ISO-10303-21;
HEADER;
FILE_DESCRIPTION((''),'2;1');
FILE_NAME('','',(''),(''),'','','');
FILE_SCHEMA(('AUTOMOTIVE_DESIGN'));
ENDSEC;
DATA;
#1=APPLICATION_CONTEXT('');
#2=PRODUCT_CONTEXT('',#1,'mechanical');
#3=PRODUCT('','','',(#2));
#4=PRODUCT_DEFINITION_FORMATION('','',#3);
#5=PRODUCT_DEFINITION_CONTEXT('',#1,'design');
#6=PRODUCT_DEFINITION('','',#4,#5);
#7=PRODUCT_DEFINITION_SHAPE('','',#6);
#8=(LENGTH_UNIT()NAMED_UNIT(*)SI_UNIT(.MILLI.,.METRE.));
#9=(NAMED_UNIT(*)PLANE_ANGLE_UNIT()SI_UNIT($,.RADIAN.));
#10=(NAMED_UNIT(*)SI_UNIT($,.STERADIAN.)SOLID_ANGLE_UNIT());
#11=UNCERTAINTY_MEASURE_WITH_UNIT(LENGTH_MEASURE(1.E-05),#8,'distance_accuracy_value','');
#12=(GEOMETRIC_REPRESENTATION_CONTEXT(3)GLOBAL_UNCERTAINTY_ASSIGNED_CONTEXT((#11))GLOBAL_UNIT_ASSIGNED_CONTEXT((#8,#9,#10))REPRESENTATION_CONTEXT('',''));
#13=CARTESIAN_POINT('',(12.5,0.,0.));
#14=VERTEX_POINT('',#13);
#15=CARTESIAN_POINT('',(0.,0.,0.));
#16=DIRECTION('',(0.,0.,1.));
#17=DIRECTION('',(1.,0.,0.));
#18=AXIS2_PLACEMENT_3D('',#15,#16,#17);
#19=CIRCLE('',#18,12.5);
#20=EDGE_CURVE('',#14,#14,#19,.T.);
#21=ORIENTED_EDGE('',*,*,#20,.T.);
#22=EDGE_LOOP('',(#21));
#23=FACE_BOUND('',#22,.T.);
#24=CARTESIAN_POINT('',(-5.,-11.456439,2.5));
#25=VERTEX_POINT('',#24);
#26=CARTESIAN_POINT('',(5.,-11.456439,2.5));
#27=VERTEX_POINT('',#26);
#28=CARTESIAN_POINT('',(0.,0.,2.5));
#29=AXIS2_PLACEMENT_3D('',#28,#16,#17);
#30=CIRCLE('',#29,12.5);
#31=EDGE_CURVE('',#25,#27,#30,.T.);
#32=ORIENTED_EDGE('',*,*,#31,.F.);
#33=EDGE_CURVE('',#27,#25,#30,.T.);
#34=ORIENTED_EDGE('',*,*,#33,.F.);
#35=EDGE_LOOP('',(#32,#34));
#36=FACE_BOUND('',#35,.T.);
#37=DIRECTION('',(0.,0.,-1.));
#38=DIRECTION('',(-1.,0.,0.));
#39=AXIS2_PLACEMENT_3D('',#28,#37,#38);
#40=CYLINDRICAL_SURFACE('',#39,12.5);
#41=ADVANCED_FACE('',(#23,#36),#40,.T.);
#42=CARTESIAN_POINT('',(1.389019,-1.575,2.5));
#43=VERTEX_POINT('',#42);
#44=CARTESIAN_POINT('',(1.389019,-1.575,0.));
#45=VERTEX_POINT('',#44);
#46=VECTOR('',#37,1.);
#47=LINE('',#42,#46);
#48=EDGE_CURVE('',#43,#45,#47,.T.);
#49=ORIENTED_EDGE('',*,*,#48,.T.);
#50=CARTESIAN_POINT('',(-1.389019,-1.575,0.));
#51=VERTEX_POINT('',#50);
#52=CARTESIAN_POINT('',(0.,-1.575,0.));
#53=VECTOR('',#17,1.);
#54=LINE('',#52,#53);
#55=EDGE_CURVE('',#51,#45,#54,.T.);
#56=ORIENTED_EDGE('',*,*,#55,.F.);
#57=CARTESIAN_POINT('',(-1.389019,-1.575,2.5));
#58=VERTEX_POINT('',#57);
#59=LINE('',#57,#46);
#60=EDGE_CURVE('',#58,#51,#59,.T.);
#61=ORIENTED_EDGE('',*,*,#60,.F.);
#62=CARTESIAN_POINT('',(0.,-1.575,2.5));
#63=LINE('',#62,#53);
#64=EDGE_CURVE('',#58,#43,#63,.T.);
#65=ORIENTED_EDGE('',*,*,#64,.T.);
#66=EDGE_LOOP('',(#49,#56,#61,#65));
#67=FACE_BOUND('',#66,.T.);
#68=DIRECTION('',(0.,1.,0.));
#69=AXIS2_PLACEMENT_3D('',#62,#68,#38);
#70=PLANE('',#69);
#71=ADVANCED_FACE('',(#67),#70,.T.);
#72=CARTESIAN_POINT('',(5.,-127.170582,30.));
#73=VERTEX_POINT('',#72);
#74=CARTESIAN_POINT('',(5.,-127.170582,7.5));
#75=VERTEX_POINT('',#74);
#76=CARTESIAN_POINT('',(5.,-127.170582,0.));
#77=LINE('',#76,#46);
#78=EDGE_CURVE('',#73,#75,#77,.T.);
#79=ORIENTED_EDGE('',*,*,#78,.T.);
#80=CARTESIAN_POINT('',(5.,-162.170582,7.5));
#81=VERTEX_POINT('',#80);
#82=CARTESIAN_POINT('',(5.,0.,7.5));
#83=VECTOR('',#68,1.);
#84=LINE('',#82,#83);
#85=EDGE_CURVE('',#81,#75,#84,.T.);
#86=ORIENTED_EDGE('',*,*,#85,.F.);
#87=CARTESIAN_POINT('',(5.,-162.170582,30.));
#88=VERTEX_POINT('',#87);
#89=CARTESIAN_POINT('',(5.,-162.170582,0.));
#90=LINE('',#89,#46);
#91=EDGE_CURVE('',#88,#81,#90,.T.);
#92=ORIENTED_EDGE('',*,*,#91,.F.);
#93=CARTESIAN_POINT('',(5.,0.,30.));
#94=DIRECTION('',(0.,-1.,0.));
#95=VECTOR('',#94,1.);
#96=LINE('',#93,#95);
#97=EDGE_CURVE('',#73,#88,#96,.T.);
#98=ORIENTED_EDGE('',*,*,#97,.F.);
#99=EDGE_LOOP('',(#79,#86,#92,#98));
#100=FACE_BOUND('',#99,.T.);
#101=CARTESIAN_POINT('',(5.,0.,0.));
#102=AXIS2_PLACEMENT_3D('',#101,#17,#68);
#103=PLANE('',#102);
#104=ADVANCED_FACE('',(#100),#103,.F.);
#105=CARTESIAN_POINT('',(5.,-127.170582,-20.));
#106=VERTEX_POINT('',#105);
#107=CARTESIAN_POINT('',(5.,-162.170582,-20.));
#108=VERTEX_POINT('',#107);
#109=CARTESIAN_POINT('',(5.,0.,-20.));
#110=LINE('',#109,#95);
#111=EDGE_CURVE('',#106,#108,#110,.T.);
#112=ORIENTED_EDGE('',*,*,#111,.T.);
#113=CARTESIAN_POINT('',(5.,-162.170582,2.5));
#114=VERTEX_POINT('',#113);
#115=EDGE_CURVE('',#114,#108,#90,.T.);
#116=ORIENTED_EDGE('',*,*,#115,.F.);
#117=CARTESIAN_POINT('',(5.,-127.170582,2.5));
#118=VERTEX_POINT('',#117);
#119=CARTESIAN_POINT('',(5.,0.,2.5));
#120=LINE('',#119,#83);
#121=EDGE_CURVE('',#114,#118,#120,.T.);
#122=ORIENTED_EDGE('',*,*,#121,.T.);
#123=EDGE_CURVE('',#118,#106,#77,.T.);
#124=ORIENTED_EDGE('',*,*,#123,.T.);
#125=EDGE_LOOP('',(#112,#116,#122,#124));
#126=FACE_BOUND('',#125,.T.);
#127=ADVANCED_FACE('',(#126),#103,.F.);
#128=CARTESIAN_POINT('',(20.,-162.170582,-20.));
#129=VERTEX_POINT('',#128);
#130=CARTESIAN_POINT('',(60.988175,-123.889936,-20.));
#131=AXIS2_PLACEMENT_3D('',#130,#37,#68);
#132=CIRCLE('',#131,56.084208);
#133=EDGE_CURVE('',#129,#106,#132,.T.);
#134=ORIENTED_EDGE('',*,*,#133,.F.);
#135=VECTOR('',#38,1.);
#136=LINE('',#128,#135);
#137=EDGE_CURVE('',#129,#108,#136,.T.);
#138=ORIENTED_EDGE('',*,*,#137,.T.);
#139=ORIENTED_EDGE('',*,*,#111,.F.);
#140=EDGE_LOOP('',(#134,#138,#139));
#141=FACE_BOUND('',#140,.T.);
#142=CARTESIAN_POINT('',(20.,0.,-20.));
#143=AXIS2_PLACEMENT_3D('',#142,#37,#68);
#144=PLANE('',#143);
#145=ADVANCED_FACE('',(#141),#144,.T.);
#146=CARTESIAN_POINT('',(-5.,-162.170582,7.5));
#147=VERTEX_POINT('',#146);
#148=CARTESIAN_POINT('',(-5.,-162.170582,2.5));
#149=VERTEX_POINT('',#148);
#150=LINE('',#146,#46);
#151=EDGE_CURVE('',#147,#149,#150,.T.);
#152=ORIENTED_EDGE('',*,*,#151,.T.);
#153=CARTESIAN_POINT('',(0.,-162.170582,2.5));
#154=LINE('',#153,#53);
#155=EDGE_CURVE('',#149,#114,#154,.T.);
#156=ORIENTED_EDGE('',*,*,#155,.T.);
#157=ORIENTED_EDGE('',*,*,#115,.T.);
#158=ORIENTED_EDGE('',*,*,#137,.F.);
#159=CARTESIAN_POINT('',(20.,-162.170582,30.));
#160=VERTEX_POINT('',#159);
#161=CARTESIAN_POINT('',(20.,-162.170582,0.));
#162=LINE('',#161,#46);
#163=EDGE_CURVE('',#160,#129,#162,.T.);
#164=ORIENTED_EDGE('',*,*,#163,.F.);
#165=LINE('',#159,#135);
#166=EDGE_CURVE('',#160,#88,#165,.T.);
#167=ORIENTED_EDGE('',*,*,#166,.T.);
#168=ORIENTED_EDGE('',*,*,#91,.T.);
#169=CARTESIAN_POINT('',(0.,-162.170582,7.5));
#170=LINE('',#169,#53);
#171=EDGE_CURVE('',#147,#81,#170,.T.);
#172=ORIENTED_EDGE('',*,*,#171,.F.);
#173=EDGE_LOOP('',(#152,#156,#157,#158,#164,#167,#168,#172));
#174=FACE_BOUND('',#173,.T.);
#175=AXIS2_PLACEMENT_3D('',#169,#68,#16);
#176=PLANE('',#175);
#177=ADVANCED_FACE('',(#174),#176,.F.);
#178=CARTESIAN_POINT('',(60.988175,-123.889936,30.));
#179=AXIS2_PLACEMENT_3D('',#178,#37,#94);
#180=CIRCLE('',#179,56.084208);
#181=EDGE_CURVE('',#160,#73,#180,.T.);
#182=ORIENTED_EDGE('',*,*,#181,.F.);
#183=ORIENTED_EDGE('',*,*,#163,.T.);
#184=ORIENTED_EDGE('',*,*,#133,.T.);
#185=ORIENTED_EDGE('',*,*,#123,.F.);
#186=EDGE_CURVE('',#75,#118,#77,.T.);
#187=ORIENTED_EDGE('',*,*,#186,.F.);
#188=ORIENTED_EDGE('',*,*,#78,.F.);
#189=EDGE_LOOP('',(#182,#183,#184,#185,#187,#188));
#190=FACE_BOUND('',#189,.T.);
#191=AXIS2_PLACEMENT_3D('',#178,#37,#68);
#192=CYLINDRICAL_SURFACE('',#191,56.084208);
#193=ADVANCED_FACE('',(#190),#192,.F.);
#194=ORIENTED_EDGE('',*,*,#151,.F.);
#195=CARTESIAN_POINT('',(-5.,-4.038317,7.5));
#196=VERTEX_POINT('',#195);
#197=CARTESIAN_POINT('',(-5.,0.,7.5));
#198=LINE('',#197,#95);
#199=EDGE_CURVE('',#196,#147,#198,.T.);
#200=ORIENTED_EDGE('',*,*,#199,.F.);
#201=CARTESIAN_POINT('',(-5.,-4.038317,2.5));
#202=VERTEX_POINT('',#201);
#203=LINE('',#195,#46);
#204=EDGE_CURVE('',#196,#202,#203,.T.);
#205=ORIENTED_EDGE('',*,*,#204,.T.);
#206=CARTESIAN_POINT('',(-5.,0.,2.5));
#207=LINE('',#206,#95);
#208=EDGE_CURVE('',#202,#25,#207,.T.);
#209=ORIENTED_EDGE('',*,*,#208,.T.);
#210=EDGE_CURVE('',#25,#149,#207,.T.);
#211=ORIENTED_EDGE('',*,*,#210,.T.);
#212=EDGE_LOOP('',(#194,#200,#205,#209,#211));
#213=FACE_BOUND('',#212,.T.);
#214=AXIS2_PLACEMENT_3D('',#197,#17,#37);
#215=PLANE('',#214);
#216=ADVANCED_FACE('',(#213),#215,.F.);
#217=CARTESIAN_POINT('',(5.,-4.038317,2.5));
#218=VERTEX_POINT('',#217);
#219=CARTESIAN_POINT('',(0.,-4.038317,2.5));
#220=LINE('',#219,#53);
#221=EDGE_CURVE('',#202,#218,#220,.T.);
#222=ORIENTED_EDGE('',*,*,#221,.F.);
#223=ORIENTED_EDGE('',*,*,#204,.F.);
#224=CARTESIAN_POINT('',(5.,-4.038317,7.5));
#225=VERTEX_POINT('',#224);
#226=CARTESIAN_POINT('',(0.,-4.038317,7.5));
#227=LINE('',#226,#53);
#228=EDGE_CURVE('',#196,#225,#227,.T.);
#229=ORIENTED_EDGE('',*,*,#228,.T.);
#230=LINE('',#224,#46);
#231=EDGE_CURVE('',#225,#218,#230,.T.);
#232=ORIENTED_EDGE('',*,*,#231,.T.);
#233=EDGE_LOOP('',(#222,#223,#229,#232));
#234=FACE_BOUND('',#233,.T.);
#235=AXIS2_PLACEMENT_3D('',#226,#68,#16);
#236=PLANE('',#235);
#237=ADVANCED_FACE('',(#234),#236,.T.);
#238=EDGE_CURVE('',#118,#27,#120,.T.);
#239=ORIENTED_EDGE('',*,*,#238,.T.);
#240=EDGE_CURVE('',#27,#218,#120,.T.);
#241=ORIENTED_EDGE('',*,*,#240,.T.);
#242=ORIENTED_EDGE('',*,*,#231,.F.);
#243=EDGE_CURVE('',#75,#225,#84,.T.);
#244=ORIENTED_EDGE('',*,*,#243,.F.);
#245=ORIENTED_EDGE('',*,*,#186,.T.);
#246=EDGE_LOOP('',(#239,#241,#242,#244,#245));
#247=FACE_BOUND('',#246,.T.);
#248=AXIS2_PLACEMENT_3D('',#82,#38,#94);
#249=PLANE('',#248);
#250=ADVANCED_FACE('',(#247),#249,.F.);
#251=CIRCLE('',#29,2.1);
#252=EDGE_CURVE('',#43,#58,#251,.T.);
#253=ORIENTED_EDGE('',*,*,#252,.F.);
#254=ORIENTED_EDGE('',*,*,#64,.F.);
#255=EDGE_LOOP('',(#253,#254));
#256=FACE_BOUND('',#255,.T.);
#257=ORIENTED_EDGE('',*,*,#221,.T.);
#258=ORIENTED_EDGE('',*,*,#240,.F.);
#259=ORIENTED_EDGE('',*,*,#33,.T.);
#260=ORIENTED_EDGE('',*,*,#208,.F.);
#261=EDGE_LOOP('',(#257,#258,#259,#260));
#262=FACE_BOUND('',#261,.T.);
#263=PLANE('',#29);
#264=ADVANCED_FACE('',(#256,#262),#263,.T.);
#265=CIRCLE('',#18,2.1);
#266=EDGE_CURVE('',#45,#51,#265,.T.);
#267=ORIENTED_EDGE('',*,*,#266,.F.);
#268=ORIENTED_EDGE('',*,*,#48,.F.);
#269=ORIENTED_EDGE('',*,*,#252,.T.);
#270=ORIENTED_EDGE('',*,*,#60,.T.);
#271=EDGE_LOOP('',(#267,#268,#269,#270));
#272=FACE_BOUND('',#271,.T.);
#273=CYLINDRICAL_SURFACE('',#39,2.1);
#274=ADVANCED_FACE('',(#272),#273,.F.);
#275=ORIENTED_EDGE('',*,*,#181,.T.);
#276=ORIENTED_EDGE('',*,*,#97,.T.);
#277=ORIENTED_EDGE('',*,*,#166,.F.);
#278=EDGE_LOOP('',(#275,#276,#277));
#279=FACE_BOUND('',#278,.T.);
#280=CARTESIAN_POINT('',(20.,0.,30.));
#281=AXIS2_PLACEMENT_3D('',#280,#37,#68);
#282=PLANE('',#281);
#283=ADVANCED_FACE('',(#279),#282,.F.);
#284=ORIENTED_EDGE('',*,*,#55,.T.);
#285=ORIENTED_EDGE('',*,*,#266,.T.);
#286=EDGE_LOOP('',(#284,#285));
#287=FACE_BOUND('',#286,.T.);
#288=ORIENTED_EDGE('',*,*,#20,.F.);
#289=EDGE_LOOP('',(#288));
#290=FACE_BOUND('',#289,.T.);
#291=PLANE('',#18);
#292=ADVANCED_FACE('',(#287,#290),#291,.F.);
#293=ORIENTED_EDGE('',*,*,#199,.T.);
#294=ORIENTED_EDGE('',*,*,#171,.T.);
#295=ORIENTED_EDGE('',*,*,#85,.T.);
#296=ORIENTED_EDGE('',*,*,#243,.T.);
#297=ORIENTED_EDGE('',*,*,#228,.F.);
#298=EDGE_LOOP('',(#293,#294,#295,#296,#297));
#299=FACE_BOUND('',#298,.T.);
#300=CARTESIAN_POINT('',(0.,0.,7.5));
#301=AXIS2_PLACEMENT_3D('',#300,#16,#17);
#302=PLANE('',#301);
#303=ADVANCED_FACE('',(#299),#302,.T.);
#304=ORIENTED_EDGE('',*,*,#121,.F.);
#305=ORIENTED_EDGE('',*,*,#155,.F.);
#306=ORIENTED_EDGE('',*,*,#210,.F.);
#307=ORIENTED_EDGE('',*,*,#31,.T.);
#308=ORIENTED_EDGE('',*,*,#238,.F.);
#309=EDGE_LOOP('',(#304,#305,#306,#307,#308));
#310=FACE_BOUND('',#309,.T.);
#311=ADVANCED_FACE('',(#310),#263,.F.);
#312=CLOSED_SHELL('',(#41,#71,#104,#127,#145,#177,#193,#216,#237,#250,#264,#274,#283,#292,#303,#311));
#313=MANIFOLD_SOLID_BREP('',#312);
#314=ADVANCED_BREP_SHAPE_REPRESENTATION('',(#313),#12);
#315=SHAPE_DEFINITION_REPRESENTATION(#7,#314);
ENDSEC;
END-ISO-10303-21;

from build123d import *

# Parameters (mm, degrees)
SKETCH2_R               = 12.5
BOSS_EXTRUDE1_DEPTH     = 2.5
BOSS_EXTRUDE2_DEPTH     = 5
SKETCH5_W               = 50
SKETCH5_H               = 35
BOSS_EXTRUDE3_DEPTH     = 15
CUT_EXTRUDE1_DEPTH      = 171.878020085
CUT_EXTRUDE1_DEPTH_BACK = 171.878020085


with BuildPart() as part:
    # Sketch2 → Boss-Extrude1 (new body)
    with BuildSketch(Plane.XY):
        Circle(SKETCH2_R)
        with BuildLine():
            ThreePointArc((1.389019438, -1.575), (0, 2.1), (-1.389019438, -1.575))
            Line((-1.389019438, -1.575), (0, -1.575))
            Line((0, -1.575), (1.389019438, -1.575))
        make_face(mode=Mode.SUBTRACT)
    extrude(amount=BOSS_EXTRUDE1_DEPTH)

    # Sketch4 → Boss-Extrude2 (add)
    with BuildSketch(Plane.XY.offset(2.5)):
        Polygon((-5, -162.170582253), (5, -162.170582253), (5, -4.038316712), (0, -4.038316712), (-5, -4.038316712), align=None)
    extrude(amount=BOSS_EXTRUDE2_DEPTH)

    # Sketch5 → Boss-Extrude3 (add)
    with BuildSketch(Plane(origin=(5, 0, 0), x_dir=(0, 0, -1), z_dir=(1, 0, 0))):
        with Locations((-5, -144.670582253)):
            Rectangle(SKETCH5_W, SKETCH5_H)
    extrude(amount=BOSS_EXTRUDE3_DEPTH)

    # Sketch6 → Cut-Extrude1 (cut, two sides: drawn at the far end of the back side and taken through both)
    with BuildSketch(Plane(origin=(0, 0, -20), x_dir=(-1, 0, 0), z_dir=(0, 0, -1)).offset(-CUT_EXTRUDE1_DEPTH_BACK)):
        with BuildLine():
            Line((-20, -127.170582253), (-5, -127.170582253))
            ThreePointArc((-5, -127.170582253), (-9.438654014, -145.982587676), (-20, -162.170582253))
            Line((-20, -162.170582253), (-20, -127.170582253))
        make_face()
    extrude(amount=CUT_EXTRUDE1_DEPTH + CUT_EXTRUDE1_DEPTH_BACK, mode=Mode.SUBTRACT)


solid = part.part
